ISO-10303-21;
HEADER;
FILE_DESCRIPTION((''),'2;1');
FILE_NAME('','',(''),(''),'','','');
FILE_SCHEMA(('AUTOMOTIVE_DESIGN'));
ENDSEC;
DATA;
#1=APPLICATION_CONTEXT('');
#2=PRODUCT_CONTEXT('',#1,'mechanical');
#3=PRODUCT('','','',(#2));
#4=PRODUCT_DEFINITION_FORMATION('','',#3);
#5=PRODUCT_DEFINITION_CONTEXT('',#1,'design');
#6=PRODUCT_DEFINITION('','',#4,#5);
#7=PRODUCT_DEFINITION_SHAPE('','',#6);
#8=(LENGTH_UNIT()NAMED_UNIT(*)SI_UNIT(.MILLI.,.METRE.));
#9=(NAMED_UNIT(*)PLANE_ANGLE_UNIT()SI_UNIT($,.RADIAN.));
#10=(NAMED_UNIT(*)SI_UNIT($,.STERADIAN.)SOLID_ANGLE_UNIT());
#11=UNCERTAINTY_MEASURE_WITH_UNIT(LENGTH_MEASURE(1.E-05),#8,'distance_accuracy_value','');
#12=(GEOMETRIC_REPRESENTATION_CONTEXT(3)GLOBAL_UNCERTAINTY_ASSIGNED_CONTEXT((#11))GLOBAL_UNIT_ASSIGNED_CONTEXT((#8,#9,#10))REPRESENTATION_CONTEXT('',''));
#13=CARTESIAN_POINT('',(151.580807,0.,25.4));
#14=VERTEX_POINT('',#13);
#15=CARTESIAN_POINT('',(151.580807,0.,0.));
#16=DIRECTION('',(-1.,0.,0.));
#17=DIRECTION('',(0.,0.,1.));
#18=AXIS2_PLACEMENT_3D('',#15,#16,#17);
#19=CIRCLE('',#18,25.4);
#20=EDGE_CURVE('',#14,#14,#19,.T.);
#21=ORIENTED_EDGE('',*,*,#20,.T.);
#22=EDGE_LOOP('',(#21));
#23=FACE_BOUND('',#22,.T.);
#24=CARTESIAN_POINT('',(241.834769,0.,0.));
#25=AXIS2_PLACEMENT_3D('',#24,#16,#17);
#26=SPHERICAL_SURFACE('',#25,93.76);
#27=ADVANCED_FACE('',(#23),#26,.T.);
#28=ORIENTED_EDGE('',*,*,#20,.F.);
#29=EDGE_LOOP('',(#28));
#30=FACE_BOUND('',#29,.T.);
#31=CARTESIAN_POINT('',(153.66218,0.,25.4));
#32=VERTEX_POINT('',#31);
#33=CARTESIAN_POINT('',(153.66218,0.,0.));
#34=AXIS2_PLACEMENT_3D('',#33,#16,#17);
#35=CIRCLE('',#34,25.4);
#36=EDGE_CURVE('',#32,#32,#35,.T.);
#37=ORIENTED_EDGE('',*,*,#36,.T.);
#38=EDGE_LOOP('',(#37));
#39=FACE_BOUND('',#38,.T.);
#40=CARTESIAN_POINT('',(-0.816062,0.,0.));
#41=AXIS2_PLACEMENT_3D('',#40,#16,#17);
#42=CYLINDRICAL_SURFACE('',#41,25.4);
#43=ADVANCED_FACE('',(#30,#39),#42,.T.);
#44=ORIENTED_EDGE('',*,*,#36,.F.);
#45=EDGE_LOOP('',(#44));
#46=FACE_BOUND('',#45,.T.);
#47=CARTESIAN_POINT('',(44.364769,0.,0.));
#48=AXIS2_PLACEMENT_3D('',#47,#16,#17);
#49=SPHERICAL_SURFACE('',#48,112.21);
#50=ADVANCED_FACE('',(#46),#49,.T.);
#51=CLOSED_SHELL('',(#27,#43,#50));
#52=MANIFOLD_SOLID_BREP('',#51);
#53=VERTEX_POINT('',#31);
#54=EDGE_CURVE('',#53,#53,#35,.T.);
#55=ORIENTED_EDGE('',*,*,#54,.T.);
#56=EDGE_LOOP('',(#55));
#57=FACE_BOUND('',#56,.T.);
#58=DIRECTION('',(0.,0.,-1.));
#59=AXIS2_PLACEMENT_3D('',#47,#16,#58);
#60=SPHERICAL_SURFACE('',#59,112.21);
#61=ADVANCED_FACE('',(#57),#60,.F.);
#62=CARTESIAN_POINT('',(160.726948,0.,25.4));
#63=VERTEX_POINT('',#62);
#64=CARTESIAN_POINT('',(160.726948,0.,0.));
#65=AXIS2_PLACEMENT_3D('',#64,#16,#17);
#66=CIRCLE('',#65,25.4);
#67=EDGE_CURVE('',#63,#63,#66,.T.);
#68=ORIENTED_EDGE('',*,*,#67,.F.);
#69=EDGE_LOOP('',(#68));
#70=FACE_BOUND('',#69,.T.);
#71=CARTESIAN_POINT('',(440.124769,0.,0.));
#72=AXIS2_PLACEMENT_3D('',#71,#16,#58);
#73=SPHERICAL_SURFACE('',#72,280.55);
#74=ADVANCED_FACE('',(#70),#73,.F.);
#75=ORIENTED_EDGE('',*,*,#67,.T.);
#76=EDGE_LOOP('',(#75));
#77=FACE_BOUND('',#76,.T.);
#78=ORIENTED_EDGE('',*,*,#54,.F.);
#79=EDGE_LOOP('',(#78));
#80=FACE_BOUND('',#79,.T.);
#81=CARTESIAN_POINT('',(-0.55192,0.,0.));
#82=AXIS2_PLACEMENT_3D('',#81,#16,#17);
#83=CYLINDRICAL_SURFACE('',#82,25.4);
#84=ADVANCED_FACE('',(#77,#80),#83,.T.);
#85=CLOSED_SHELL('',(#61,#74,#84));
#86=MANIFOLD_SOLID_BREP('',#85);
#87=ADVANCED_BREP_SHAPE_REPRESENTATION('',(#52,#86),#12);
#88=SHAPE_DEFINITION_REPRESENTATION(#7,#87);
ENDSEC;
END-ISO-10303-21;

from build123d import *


with BuildPart() as part:
    # 草图1 one side → 旋转1 (revolve)
    with BuildSketch(Plane(origin=(0, 0, 0), x_dir=(1, 0, 0), z_dir=(0, 1, 0)), mode=Mode.PRIVATE) as revolve_1_sk:
        with BuildLine():
            ThreePointArc((151.580807275, 25.4), (148.955414292, 12.82041638), (148.074768961, 0))
            Line((148.074768961, 0), (156.574768961, 0))
            ThreePointArc((156.574768961, 0), (155.844243784, 12.78322312), (153.662180184, 25.4))
            Line((153.662180184, 25.4), (151.580807275, 25.4))
        make_face()
    revolve(revolve_1_sk.sketch.rotate(Axis((-0.816062176, 0, 0), (1, 0, 0)), 180), axis=Axis((-0.816062176, 0, 0), (1, 0, 0)))  # turned: the seam where the file's is


with BuildPart() as body_2:
    # 草图2 one side → 旋转2 (revolve)
    with BuildSketch(Plane(origin=(0, 0, 0), x_dir=(1, 0, 0), z_dir=(0, 1, 0)), mode=Mode.PRIVATE) as revolve_2_sk:
        with BuildLine():
            Line((160.726947746, 25.4), (153.662180184, 25.4))
            ThreePointArc((153.662180184, 25.4), (155.844243784, 12.78322312), (156.574768961, 0))
            Line((156.574768961, 0), (159.574768961, 0))
            ThreePointArc((159.574768961, 0), (159.862961679, 12.713059387), (160.726947746, 25.4))
        make_face()
    revolve(revolve_2_sk.sketch.rotate(Axis((-0.551919993, 0, 0), (1, 0, 0)), 180), axis=Axis((-0.551919993, 0, 0), (1, 0, 0)))  # turned: the seam where the file's is


solid = Compound([part.part, body_2.part])
